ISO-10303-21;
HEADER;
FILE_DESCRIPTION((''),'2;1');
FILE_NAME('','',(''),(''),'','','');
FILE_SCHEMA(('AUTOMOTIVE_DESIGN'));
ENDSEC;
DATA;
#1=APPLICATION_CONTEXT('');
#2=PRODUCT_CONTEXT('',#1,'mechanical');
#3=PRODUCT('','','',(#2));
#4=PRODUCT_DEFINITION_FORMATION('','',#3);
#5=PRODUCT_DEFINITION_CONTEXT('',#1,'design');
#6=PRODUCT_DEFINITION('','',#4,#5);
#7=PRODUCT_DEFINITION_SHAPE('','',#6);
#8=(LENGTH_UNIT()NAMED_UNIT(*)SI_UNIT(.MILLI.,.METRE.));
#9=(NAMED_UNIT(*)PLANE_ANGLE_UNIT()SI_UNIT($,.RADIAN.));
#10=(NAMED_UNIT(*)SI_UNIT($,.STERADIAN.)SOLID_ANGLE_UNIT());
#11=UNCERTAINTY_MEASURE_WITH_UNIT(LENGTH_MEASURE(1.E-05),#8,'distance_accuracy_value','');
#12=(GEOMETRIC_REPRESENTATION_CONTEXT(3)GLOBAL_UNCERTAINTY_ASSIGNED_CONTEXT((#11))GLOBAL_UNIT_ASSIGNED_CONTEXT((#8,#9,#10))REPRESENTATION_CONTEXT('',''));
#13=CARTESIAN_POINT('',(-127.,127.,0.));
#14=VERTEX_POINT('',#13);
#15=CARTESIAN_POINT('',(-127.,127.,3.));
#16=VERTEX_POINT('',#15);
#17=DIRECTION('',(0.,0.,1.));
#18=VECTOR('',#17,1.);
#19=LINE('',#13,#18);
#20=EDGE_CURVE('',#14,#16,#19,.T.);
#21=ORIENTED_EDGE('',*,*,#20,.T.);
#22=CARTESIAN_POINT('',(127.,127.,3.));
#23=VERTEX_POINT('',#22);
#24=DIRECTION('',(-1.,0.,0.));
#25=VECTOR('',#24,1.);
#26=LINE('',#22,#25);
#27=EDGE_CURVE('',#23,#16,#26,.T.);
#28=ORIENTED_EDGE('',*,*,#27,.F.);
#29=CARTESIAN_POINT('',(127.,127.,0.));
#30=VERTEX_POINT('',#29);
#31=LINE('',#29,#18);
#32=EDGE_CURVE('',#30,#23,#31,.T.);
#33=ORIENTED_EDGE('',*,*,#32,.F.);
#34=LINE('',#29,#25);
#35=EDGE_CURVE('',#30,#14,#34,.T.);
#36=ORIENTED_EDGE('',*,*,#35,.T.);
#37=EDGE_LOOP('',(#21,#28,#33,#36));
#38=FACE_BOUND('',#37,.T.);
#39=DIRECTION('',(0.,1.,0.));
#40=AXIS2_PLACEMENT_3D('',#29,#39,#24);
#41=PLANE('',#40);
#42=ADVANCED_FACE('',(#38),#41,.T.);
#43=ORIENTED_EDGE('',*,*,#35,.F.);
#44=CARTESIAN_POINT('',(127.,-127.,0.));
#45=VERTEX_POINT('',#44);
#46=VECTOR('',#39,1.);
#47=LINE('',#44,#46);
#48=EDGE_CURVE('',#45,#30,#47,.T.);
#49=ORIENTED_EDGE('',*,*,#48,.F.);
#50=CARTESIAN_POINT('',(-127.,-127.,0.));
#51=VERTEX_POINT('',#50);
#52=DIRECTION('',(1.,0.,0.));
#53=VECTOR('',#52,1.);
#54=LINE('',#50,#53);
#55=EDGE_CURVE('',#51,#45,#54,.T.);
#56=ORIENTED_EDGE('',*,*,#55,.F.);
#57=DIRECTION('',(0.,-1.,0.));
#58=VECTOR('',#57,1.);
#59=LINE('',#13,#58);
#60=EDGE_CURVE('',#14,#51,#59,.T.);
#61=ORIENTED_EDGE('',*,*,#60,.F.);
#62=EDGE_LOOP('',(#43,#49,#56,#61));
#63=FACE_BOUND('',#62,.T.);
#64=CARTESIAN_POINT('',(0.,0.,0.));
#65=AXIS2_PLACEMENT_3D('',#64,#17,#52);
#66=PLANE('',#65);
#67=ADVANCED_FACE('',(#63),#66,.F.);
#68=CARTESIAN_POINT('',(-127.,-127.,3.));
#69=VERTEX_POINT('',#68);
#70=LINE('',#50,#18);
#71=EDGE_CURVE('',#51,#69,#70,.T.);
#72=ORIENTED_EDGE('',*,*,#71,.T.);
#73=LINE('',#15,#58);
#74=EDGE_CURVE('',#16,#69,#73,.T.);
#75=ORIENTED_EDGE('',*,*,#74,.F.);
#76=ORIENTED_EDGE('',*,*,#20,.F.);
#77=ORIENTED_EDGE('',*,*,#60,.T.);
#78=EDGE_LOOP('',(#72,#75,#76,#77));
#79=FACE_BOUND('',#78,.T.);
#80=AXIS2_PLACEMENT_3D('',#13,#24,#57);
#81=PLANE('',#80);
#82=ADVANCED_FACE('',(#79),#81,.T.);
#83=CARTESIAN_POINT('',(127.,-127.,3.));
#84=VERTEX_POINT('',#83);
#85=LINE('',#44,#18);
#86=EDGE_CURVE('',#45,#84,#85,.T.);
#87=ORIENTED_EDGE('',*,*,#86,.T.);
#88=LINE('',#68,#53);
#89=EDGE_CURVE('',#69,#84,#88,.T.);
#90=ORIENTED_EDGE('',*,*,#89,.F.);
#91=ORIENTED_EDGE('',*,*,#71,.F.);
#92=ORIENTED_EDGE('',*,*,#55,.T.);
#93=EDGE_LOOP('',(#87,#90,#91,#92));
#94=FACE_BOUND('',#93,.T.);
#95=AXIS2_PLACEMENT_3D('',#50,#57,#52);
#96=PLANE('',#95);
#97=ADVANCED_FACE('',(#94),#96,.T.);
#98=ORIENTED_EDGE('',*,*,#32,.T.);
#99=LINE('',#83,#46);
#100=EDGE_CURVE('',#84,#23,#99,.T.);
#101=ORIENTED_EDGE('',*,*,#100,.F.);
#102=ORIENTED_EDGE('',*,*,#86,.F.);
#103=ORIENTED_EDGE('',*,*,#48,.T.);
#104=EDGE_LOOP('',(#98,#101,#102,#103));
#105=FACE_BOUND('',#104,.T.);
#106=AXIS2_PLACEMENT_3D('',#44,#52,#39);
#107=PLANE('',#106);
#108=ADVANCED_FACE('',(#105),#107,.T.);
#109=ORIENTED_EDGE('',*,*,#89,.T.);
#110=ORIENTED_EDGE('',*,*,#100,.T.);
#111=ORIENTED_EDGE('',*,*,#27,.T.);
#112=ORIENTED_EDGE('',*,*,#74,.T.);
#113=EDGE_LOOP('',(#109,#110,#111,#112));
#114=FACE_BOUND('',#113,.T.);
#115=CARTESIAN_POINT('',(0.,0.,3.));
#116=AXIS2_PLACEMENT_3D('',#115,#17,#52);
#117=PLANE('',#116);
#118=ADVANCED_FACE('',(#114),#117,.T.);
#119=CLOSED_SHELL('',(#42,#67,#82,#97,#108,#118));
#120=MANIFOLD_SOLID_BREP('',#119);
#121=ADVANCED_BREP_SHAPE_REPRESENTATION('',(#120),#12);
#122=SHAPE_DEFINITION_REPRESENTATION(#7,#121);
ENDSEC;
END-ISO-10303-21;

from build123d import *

# Parameters (mm, degrees)
SKETCH1_W           = 254
SKETCH1_H           = 254
BOSS_EXTRUDE1_DEPTH = 3


with BuildPart() as part:
    # Sketch1 → Boss-Extrude1 (new body)
    with BuildSketch(Plane.XY.offset(3)):
        Rectangle(SKETCH1_W, SKETCH1_H)
    extrude(amount=-BOSS_EXTRUDE1_DEPTH)


solid = part.part
